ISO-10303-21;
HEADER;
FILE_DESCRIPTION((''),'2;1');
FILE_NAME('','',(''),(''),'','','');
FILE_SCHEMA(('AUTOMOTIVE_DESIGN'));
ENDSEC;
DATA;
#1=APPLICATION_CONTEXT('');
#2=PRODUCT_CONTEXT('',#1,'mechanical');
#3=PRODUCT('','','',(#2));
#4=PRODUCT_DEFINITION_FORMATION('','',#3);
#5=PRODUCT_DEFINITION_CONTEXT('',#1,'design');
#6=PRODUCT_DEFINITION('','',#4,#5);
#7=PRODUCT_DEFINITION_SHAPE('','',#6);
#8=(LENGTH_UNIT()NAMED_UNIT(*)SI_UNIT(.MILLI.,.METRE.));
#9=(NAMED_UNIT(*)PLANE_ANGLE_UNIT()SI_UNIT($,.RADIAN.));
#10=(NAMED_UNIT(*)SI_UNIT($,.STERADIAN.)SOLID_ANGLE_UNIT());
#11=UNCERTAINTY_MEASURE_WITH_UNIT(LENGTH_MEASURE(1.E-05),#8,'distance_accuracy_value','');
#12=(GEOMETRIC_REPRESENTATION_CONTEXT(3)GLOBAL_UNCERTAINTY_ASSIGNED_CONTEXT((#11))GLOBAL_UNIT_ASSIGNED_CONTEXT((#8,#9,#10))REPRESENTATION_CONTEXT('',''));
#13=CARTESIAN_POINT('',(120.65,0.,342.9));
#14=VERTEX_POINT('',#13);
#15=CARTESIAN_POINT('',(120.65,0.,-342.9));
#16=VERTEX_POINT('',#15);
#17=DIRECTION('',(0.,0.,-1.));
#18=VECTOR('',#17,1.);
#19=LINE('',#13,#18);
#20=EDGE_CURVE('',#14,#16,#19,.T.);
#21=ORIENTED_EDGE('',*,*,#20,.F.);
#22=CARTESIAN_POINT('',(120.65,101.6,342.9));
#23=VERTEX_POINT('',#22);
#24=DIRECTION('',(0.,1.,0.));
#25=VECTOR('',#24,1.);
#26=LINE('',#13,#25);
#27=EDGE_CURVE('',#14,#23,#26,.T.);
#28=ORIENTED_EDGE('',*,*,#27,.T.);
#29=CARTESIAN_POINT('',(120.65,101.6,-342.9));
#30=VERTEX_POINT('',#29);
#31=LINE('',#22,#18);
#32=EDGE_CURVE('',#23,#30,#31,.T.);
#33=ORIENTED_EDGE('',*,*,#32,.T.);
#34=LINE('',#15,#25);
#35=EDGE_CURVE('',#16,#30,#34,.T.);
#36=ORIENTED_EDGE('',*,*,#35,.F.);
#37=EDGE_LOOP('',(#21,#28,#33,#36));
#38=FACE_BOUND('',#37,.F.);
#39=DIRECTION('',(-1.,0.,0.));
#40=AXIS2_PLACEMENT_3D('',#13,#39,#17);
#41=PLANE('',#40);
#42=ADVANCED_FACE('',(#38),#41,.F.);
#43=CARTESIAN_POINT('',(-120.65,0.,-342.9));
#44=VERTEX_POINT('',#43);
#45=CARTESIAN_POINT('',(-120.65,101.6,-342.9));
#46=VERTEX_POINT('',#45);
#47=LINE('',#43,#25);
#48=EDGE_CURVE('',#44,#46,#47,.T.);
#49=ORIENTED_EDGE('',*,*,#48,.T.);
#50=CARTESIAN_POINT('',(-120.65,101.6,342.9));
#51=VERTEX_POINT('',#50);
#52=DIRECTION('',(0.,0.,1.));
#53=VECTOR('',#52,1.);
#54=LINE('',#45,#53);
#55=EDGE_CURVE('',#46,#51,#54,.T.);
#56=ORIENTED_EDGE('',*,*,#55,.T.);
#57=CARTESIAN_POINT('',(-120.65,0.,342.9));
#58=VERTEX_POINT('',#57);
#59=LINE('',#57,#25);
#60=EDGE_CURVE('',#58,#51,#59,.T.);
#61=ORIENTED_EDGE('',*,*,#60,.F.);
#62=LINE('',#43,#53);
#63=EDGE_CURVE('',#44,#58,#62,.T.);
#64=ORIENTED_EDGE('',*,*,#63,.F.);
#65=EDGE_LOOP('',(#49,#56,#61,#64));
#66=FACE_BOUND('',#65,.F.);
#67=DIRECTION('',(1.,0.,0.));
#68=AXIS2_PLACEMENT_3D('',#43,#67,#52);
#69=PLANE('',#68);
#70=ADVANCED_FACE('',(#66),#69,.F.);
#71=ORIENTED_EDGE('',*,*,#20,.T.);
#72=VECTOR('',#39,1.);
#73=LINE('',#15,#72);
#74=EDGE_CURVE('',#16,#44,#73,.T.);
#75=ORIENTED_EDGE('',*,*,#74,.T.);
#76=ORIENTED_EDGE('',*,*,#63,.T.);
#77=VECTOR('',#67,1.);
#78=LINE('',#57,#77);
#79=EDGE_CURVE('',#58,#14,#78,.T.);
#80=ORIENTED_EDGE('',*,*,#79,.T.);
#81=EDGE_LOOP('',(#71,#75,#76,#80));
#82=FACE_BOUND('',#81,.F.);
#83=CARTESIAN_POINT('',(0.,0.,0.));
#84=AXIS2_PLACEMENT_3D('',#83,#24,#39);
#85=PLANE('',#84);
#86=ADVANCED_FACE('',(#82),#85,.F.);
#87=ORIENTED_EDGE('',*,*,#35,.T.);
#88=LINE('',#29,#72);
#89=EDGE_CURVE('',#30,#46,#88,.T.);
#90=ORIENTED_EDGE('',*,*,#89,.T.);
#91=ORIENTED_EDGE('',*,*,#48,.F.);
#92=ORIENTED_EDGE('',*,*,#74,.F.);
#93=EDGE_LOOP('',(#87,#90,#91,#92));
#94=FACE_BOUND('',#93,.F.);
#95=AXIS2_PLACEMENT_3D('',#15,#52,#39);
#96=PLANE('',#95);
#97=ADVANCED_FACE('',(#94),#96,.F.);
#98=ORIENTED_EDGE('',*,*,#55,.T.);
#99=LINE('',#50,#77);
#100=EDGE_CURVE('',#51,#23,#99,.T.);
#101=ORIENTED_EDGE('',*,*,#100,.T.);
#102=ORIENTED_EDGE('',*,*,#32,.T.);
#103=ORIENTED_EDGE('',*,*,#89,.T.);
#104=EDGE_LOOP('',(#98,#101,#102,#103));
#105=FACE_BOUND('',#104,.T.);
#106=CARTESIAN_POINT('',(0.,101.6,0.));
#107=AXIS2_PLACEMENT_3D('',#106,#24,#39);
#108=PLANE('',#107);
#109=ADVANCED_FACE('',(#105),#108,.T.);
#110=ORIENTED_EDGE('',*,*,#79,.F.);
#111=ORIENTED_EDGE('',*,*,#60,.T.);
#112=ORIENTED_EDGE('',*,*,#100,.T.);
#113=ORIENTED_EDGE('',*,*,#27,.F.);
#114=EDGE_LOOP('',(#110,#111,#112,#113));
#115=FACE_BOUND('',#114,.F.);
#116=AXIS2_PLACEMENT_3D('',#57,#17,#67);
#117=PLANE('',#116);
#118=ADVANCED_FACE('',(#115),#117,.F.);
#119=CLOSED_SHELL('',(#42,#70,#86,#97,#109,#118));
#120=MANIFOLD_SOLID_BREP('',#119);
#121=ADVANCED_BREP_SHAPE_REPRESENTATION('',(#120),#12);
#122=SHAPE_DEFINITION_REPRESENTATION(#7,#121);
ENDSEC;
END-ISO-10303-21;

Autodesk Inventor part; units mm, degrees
ref_plane "YZ Plane" through (0, 0, 0) normal (1, 0, 0) x (0, 1, 0)
ref_plane "XZ Plane" through (0, 0, 0) normal (0, 1, 0) x (-1, 0, 0)
ref_plane "XY Plane" through (0, 0, 0) normal (0, 0, 1) x (1, 0, 0)
sketch "Sketch1" plane through (0, 0, 0) normal (0, 1, 0) x (-1, 0, 0)
  line L0 (120.65, 342.9) -> (-120.65, 342.9)
  line L1 (-120.65, 342.9) -> (-120.65, -342.9)
  line L2 (-120.65, -342.9) -> (120.65, -342.9)
  line L3 (120.65, -342.9) -> (120.65, 342.9)
  line L4 (0, -480.06) -> (0, 480.06) construction
  line L5 (168.91, 0) -> (-168.91, 0) construction
  point P0 (0, 0)
  dimension "d0" = 241.3
  dimension "d1" = 685.8
extrude "Extrusion1" add sketch "Sketch1" along normal blind 101.6
properties part number "Catapult Base"
